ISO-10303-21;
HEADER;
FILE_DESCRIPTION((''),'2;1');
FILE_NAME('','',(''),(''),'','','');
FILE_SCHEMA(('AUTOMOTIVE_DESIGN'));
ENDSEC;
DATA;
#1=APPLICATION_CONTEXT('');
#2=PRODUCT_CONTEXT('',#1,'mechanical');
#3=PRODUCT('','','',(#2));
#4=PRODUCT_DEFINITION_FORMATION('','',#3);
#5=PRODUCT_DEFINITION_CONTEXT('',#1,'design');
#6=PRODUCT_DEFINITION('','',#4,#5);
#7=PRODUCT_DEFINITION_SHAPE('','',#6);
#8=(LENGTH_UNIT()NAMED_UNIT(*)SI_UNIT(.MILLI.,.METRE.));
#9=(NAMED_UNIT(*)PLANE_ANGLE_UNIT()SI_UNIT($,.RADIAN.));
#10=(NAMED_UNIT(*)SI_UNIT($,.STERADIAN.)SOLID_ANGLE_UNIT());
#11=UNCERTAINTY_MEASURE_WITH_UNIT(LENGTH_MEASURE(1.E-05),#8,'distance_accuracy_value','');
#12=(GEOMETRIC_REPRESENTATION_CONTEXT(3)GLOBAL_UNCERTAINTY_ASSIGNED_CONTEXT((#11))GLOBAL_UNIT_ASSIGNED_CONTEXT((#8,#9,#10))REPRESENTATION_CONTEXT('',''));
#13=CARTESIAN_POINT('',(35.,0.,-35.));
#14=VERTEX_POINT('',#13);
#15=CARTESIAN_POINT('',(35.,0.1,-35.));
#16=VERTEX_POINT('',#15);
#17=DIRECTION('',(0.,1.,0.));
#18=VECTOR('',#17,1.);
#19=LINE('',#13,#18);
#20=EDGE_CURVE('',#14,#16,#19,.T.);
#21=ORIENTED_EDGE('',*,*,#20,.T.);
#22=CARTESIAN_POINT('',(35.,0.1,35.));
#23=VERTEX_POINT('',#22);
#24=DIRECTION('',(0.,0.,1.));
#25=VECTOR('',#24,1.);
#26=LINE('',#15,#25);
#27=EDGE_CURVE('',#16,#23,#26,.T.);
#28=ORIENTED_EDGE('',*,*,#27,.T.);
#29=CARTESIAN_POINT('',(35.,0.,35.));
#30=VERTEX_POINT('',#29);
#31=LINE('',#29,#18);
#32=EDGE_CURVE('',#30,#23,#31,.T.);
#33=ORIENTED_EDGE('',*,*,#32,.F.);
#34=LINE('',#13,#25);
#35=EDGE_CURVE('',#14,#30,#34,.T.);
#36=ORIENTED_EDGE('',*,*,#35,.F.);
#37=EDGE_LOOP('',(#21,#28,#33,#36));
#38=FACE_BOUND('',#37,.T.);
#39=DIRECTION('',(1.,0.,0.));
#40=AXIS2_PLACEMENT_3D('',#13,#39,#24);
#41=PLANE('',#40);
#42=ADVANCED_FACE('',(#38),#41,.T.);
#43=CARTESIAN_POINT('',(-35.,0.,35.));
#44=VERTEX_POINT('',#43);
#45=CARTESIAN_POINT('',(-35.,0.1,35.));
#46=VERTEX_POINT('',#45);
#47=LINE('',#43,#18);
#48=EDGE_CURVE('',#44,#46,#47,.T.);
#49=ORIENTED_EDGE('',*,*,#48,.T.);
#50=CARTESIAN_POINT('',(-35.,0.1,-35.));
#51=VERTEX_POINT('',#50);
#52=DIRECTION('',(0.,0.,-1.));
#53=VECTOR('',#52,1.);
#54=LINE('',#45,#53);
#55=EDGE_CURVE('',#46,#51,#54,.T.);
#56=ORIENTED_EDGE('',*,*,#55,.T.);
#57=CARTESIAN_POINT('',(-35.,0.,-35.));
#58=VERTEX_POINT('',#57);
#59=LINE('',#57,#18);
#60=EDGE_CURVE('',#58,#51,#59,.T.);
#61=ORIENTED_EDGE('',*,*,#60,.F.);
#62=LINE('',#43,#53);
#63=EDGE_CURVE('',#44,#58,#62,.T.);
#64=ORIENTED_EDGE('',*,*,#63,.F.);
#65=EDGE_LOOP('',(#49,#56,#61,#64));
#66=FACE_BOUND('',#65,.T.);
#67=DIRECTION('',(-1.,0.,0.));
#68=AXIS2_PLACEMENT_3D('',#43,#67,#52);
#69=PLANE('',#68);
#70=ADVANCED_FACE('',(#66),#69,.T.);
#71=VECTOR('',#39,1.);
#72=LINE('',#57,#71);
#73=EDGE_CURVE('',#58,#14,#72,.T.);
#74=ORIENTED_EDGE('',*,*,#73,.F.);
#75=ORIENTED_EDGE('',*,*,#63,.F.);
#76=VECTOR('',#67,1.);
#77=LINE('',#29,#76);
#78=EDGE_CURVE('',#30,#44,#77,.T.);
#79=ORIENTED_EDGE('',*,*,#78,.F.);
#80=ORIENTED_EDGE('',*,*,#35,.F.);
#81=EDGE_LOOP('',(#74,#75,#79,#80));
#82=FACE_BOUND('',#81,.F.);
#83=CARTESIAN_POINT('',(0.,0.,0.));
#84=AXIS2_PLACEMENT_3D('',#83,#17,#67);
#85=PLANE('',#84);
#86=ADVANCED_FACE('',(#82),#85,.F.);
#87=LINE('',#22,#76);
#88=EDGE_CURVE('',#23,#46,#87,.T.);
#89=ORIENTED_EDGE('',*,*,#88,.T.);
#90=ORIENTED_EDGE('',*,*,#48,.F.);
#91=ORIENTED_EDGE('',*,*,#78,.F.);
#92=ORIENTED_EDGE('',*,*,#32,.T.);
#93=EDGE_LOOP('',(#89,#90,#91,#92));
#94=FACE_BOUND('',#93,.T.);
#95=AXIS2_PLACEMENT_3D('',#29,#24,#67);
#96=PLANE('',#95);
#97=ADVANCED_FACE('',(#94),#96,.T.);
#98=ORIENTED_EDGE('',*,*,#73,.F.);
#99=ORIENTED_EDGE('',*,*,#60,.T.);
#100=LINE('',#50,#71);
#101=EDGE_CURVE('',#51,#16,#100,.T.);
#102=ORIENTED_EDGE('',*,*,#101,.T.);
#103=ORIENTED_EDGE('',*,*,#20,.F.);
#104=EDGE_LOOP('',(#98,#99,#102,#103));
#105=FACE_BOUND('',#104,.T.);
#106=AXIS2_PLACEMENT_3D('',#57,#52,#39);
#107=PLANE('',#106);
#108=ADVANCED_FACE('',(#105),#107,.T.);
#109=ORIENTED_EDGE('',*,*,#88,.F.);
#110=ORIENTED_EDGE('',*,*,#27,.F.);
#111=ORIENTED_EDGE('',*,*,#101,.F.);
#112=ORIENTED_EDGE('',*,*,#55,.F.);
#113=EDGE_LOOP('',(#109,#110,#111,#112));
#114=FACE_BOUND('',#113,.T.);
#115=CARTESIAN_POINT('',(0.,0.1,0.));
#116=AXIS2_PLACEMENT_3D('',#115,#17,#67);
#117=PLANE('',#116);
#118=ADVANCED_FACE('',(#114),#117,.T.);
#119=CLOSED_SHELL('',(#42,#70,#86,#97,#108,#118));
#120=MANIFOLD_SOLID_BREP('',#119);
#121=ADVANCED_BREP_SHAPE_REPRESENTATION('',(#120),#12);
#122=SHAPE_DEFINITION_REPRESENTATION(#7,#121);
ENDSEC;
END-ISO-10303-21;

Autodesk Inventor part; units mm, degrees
ref_plane "YZ Plane" through (0, 0, 0) normal (1, 0, 0) x (0, 1, 0)
ref_plane "XZ Plane" through (0, 0, 0) normal (0, 1, 0) x (-1, 0, 0)
ref_plane "XY Plane" through (0, 0, 0) normal (0, 0, 1) x (1, 0, 0)
sketch "Sketch1" plane through (0, 0, 0) normal (0, 1, 0) x (-1, 0, 0)
  line L0 (-35, 35) -> (35, 35)
  line L1 (35, 35) -> (35, -35)
  line L2 (35, -35) -> (-35, -35)
  line L3 (-35, -35) -> (-35, 35)
  line L4 (-35, 35) -> (35, -35) construction
  line L5 (35, 35) -> (-35, -35) construction
  point P0 (0, 0)
  dimension "d0" = 70
  dimension "d1" = 70
extrude "Extrusion1" add sketch "Sketch1" along normal blind 0.1
properties part number "electrode"
